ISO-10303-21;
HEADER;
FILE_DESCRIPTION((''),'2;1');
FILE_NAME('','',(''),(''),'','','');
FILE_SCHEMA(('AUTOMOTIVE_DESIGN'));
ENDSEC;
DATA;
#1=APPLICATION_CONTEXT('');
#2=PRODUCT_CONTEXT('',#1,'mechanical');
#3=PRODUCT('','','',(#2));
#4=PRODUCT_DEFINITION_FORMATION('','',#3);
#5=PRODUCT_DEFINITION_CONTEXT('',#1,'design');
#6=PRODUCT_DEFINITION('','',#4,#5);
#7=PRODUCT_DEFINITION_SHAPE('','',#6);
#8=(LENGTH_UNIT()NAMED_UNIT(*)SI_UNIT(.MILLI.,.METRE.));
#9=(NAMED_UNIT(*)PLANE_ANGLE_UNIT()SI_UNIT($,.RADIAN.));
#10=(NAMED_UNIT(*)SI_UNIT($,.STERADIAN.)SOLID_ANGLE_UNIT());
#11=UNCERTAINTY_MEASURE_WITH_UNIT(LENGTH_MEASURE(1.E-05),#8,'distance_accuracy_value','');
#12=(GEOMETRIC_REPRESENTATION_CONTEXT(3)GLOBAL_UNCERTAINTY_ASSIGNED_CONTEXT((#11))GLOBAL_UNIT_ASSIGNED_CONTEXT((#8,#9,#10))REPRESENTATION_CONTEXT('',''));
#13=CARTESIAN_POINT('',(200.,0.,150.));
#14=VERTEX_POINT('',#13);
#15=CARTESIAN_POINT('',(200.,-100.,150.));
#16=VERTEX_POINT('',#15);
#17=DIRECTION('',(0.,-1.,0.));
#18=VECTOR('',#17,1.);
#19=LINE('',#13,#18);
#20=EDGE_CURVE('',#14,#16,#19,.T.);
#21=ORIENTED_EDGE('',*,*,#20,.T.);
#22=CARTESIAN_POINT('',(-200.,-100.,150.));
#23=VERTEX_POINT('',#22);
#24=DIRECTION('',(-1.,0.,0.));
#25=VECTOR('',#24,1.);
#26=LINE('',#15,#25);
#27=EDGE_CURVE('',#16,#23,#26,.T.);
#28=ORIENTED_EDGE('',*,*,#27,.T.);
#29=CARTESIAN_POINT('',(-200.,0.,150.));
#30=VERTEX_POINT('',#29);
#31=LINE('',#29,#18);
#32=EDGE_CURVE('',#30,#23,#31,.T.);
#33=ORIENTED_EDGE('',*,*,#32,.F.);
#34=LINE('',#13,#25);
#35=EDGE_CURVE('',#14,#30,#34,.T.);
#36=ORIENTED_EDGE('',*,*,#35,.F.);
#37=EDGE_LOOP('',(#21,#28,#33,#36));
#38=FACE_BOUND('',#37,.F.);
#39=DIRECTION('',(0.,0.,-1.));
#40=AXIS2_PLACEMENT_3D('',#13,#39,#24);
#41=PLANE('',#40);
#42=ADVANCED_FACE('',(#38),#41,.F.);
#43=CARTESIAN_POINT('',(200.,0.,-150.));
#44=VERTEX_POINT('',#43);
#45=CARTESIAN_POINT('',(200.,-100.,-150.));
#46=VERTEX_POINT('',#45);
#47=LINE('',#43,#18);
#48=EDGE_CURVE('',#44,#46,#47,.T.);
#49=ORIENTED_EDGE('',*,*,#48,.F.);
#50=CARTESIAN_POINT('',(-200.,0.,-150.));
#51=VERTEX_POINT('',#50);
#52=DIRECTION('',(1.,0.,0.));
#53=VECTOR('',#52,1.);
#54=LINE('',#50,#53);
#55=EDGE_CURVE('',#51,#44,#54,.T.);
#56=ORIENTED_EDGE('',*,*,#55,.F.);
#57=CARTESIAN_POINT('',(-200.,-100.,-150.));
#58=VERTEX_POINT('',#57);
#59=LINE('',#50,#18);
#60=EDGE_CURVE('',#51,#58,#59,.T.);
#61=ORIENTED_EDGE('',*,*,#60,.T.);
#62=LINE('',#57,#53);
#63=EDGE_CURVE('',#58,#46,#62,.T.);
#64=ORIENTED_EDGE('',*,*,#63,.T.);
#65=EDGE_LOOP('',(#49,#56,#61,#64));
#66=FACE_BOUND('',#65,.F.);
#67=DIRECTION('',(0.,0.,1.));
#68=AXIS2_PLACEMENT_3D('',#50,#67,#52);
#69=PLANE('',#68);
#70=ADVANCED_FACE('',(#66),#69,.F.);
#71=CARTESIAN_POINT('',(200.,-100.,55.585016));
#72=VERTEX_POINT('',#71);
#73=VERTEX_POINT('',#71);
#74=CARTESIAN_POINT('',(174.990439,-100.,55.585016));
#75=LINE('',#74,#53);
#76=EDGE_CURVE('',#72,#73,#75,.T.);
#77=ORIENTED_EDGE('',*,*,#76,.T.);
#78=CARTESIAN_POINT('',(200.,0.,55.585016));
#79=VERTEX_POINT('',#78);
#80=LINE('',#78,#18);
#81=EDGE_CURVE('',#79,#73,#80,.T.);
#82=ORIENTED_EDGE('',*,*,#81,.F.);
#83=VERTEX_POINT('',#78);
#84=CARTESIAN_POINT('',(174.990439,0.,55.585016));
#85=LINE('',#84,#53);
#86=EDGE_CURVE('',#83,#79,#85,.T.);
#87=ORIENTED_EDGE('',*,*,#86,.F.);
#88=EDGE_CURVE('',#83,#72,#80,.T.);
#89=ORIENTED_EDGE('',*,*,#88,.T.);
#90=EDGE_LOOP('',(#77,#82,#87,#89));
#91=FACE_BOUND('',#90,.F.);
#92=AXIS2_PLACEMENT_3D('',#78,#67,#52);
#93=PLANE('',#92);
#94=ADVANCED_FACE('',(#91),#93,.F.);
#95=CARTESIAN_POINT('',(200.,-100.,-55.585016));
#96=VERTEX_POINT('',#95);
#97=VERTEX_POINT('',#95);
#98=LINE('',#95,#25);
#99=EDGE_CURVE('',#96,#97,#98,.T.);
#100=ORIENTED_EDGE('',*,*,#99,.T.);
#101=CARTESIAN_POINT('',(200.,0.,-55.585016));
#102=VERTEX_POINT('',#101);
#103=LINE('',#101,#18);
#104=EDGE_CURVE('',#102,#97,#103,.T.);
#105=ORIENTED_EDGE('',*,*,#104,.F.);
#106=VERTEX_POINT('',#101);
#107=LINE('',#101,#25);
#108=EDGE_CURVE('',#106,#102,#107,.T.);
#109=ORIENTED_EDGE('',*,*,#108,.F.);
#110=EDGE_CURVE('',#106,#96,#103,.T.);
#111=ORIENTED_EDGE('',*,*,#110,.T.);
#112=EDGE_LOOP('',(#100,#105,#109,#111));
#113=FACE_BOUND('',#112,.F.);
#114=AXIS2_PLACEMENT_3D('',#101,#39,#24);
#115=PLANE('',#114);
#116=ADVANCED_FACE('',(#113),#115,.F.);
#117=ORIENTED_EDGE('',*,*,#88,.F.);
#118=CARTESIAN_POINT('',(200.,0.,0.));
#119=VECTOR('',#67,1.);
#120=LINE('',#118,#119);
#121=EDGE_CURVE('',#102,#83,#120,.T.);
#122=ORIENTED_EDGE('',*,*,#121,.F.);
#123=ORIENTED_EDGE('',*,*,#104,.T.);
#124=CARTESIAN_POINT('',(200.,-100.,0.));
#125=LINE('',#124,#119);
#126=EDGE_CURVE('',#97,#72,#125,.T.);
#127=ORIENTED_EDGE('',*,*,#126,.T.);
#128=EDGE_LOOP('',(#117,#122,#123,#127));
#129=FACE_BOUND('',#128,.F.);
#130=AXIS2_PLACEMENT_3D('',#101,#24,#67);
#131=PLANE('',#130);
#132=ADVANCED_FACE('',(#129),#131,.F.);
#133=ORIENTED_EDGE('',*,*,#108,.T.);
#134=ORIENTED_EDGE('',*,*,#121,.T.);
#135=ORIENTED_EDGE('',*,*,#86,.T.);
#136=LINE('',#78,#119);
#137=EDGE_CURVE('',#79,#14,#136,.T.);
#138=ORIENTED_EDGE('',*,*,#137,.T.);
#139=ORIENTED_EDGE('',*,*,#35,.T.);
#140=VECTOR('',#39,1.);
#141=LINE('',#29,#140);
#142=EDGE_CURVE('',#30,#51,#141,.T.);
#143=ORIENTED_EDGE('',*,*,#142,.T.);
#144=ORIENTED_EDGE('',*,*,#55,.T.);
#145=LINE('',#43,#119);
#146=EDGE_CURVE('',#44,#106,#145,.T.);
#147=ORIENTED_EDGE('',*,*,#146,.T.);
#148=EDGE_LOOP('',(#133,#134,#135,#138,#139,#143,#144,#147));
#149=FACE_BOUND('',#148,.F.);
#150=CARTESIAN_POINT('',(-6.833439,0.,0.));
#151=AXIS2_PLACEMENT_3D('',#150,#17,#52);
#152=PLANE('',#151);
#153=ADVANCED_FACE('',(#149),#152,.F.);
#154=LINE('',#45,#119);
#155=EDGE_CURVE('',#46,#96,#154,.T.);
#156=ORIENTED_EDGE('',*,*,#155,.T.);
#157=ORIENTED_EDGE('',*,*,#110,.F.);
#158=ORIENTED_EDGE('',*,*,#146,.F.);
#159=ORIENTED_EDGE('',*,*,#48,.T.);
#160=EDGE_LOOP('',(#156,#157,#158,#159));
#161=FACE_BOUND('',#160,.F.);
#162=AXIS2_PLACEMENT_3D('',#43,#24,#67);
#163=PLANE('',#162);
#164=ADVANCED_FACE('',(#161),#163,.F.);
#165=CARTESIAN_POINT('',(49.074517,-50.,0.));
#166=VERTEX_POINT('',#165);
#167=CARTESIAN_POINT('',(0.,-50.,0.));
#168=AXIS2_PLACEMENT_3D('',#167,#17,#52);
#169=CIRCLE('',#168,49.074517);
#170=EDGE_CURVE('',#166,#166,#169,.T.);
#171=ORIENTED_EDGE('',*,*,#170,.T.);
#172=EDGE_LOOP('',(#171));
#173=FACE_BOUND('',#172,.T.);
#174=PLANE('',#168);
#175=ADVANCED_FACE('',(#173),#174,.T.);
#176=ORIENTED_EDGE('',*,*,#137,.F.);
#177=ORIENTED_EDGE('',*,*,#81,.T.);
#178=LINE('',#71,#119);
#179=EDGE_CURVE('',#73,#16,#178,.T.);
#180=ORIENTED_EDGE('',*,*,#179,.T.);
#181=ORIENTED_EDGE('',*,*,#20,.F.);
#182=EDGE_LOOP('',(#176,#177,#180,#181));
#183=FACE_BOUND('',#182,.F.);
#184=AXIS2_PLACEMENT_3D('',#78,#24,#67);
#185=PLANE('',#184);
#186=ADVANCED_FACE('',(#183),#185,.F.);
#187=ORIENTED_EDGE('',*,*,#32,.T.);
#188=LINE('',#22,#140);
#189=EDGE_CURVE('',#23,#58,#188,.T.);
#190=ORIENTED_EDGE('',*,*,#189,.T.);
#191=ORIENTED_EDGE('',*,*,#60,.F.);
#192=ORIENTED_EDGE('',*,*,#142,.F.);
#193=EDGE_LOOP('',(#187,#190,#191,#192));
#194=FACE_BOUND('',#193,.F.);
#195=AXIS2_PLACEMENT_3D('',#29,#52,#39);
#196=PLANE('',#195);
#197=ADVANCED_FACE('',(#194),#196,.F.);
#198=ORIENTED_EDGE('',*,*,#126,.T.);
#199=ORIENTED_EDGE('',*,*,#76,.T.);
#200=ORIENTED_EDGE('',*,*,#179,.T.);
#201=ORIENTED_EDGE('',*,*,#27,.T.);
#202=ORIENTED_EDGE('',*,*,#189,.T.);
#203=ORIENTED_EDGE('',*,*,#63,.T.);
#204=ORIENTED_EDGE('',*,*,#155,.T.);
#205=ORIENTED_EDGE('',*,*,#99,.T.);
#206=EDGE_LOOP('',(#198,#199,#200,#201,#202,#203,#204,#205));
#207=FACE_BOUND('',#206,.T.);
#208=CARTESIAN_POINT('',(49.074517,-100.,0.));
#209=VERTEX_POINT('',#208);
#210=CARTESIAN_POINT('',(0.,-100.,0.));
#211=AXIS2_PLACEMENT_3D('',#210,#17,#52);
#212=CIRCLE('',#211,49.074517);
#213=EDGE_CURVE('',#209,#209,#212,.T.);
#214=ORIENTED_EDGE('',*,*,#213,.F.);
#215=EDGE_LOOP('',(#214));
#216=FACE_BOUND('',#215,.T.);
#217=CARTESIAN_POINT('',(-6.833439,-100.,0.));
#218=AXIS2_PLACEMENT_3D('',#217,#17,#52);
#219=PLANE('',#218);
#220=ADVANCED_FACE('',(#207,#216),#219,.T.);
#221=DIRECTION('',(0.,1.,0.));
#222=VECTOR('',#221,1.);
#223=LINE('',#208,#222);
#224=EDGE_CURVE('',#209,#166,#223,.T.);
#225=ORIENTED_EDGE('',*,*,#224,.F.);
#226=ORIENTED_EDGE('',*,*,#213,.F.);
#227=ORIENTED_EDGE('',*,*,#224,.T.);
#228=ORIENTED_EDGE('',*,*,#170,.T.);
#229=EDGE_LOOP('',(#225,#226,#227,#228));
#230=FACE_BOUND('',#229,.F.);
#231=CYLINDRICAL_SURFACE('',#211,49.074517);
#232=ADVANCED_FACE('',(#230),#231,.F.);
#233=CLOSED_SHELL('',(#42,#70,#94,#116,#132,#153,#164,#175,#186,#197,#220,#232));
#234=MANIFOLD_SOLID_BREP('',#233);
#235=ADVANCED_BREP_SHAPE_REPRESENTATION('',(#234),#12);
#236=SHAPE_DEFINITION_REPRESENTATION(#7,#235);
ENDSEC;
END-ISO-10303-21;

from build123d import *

# Parameters (mm, degrees)
F0_W     = 25.009561
F0_H     = 111.170032
F0_W_2   = 80
F0_H_2   = 100
F1_DEPTH = 100
F2_R     = 49.074517
F3_DEPTH = 50


with BuildPart() as f1:
    # F0 (on Front) → F1 (new body)
    with BuildSketch(Plane.XZ):
        Polygon((200, 55.585016), (200, 150), (-200, 150), (-200, 50), (-120, 50), (-120, -50), (-200, -50), (-200, -150), (200, -150), (200, -55.585016), (174.990439, -55.585016), (174.990439, 55.585016), align=None)
        with Locations((187.495219, 0)):
            Rectangle(F0_W, F0_H)
        with Locations((-160, 0)):
            Rectangle(F0_W_2, F0_H_2)
    extrude(amount=F1_DEPTH)

    # F2 (on face) → F3 (cut)
    with BuildSketch(Plane.XZ.offset(100)):
        Circle(F2_R)
    extrude(amount=-F3_DEPTH, mode=Mode.SUBTRACT)


solid = f1.part
